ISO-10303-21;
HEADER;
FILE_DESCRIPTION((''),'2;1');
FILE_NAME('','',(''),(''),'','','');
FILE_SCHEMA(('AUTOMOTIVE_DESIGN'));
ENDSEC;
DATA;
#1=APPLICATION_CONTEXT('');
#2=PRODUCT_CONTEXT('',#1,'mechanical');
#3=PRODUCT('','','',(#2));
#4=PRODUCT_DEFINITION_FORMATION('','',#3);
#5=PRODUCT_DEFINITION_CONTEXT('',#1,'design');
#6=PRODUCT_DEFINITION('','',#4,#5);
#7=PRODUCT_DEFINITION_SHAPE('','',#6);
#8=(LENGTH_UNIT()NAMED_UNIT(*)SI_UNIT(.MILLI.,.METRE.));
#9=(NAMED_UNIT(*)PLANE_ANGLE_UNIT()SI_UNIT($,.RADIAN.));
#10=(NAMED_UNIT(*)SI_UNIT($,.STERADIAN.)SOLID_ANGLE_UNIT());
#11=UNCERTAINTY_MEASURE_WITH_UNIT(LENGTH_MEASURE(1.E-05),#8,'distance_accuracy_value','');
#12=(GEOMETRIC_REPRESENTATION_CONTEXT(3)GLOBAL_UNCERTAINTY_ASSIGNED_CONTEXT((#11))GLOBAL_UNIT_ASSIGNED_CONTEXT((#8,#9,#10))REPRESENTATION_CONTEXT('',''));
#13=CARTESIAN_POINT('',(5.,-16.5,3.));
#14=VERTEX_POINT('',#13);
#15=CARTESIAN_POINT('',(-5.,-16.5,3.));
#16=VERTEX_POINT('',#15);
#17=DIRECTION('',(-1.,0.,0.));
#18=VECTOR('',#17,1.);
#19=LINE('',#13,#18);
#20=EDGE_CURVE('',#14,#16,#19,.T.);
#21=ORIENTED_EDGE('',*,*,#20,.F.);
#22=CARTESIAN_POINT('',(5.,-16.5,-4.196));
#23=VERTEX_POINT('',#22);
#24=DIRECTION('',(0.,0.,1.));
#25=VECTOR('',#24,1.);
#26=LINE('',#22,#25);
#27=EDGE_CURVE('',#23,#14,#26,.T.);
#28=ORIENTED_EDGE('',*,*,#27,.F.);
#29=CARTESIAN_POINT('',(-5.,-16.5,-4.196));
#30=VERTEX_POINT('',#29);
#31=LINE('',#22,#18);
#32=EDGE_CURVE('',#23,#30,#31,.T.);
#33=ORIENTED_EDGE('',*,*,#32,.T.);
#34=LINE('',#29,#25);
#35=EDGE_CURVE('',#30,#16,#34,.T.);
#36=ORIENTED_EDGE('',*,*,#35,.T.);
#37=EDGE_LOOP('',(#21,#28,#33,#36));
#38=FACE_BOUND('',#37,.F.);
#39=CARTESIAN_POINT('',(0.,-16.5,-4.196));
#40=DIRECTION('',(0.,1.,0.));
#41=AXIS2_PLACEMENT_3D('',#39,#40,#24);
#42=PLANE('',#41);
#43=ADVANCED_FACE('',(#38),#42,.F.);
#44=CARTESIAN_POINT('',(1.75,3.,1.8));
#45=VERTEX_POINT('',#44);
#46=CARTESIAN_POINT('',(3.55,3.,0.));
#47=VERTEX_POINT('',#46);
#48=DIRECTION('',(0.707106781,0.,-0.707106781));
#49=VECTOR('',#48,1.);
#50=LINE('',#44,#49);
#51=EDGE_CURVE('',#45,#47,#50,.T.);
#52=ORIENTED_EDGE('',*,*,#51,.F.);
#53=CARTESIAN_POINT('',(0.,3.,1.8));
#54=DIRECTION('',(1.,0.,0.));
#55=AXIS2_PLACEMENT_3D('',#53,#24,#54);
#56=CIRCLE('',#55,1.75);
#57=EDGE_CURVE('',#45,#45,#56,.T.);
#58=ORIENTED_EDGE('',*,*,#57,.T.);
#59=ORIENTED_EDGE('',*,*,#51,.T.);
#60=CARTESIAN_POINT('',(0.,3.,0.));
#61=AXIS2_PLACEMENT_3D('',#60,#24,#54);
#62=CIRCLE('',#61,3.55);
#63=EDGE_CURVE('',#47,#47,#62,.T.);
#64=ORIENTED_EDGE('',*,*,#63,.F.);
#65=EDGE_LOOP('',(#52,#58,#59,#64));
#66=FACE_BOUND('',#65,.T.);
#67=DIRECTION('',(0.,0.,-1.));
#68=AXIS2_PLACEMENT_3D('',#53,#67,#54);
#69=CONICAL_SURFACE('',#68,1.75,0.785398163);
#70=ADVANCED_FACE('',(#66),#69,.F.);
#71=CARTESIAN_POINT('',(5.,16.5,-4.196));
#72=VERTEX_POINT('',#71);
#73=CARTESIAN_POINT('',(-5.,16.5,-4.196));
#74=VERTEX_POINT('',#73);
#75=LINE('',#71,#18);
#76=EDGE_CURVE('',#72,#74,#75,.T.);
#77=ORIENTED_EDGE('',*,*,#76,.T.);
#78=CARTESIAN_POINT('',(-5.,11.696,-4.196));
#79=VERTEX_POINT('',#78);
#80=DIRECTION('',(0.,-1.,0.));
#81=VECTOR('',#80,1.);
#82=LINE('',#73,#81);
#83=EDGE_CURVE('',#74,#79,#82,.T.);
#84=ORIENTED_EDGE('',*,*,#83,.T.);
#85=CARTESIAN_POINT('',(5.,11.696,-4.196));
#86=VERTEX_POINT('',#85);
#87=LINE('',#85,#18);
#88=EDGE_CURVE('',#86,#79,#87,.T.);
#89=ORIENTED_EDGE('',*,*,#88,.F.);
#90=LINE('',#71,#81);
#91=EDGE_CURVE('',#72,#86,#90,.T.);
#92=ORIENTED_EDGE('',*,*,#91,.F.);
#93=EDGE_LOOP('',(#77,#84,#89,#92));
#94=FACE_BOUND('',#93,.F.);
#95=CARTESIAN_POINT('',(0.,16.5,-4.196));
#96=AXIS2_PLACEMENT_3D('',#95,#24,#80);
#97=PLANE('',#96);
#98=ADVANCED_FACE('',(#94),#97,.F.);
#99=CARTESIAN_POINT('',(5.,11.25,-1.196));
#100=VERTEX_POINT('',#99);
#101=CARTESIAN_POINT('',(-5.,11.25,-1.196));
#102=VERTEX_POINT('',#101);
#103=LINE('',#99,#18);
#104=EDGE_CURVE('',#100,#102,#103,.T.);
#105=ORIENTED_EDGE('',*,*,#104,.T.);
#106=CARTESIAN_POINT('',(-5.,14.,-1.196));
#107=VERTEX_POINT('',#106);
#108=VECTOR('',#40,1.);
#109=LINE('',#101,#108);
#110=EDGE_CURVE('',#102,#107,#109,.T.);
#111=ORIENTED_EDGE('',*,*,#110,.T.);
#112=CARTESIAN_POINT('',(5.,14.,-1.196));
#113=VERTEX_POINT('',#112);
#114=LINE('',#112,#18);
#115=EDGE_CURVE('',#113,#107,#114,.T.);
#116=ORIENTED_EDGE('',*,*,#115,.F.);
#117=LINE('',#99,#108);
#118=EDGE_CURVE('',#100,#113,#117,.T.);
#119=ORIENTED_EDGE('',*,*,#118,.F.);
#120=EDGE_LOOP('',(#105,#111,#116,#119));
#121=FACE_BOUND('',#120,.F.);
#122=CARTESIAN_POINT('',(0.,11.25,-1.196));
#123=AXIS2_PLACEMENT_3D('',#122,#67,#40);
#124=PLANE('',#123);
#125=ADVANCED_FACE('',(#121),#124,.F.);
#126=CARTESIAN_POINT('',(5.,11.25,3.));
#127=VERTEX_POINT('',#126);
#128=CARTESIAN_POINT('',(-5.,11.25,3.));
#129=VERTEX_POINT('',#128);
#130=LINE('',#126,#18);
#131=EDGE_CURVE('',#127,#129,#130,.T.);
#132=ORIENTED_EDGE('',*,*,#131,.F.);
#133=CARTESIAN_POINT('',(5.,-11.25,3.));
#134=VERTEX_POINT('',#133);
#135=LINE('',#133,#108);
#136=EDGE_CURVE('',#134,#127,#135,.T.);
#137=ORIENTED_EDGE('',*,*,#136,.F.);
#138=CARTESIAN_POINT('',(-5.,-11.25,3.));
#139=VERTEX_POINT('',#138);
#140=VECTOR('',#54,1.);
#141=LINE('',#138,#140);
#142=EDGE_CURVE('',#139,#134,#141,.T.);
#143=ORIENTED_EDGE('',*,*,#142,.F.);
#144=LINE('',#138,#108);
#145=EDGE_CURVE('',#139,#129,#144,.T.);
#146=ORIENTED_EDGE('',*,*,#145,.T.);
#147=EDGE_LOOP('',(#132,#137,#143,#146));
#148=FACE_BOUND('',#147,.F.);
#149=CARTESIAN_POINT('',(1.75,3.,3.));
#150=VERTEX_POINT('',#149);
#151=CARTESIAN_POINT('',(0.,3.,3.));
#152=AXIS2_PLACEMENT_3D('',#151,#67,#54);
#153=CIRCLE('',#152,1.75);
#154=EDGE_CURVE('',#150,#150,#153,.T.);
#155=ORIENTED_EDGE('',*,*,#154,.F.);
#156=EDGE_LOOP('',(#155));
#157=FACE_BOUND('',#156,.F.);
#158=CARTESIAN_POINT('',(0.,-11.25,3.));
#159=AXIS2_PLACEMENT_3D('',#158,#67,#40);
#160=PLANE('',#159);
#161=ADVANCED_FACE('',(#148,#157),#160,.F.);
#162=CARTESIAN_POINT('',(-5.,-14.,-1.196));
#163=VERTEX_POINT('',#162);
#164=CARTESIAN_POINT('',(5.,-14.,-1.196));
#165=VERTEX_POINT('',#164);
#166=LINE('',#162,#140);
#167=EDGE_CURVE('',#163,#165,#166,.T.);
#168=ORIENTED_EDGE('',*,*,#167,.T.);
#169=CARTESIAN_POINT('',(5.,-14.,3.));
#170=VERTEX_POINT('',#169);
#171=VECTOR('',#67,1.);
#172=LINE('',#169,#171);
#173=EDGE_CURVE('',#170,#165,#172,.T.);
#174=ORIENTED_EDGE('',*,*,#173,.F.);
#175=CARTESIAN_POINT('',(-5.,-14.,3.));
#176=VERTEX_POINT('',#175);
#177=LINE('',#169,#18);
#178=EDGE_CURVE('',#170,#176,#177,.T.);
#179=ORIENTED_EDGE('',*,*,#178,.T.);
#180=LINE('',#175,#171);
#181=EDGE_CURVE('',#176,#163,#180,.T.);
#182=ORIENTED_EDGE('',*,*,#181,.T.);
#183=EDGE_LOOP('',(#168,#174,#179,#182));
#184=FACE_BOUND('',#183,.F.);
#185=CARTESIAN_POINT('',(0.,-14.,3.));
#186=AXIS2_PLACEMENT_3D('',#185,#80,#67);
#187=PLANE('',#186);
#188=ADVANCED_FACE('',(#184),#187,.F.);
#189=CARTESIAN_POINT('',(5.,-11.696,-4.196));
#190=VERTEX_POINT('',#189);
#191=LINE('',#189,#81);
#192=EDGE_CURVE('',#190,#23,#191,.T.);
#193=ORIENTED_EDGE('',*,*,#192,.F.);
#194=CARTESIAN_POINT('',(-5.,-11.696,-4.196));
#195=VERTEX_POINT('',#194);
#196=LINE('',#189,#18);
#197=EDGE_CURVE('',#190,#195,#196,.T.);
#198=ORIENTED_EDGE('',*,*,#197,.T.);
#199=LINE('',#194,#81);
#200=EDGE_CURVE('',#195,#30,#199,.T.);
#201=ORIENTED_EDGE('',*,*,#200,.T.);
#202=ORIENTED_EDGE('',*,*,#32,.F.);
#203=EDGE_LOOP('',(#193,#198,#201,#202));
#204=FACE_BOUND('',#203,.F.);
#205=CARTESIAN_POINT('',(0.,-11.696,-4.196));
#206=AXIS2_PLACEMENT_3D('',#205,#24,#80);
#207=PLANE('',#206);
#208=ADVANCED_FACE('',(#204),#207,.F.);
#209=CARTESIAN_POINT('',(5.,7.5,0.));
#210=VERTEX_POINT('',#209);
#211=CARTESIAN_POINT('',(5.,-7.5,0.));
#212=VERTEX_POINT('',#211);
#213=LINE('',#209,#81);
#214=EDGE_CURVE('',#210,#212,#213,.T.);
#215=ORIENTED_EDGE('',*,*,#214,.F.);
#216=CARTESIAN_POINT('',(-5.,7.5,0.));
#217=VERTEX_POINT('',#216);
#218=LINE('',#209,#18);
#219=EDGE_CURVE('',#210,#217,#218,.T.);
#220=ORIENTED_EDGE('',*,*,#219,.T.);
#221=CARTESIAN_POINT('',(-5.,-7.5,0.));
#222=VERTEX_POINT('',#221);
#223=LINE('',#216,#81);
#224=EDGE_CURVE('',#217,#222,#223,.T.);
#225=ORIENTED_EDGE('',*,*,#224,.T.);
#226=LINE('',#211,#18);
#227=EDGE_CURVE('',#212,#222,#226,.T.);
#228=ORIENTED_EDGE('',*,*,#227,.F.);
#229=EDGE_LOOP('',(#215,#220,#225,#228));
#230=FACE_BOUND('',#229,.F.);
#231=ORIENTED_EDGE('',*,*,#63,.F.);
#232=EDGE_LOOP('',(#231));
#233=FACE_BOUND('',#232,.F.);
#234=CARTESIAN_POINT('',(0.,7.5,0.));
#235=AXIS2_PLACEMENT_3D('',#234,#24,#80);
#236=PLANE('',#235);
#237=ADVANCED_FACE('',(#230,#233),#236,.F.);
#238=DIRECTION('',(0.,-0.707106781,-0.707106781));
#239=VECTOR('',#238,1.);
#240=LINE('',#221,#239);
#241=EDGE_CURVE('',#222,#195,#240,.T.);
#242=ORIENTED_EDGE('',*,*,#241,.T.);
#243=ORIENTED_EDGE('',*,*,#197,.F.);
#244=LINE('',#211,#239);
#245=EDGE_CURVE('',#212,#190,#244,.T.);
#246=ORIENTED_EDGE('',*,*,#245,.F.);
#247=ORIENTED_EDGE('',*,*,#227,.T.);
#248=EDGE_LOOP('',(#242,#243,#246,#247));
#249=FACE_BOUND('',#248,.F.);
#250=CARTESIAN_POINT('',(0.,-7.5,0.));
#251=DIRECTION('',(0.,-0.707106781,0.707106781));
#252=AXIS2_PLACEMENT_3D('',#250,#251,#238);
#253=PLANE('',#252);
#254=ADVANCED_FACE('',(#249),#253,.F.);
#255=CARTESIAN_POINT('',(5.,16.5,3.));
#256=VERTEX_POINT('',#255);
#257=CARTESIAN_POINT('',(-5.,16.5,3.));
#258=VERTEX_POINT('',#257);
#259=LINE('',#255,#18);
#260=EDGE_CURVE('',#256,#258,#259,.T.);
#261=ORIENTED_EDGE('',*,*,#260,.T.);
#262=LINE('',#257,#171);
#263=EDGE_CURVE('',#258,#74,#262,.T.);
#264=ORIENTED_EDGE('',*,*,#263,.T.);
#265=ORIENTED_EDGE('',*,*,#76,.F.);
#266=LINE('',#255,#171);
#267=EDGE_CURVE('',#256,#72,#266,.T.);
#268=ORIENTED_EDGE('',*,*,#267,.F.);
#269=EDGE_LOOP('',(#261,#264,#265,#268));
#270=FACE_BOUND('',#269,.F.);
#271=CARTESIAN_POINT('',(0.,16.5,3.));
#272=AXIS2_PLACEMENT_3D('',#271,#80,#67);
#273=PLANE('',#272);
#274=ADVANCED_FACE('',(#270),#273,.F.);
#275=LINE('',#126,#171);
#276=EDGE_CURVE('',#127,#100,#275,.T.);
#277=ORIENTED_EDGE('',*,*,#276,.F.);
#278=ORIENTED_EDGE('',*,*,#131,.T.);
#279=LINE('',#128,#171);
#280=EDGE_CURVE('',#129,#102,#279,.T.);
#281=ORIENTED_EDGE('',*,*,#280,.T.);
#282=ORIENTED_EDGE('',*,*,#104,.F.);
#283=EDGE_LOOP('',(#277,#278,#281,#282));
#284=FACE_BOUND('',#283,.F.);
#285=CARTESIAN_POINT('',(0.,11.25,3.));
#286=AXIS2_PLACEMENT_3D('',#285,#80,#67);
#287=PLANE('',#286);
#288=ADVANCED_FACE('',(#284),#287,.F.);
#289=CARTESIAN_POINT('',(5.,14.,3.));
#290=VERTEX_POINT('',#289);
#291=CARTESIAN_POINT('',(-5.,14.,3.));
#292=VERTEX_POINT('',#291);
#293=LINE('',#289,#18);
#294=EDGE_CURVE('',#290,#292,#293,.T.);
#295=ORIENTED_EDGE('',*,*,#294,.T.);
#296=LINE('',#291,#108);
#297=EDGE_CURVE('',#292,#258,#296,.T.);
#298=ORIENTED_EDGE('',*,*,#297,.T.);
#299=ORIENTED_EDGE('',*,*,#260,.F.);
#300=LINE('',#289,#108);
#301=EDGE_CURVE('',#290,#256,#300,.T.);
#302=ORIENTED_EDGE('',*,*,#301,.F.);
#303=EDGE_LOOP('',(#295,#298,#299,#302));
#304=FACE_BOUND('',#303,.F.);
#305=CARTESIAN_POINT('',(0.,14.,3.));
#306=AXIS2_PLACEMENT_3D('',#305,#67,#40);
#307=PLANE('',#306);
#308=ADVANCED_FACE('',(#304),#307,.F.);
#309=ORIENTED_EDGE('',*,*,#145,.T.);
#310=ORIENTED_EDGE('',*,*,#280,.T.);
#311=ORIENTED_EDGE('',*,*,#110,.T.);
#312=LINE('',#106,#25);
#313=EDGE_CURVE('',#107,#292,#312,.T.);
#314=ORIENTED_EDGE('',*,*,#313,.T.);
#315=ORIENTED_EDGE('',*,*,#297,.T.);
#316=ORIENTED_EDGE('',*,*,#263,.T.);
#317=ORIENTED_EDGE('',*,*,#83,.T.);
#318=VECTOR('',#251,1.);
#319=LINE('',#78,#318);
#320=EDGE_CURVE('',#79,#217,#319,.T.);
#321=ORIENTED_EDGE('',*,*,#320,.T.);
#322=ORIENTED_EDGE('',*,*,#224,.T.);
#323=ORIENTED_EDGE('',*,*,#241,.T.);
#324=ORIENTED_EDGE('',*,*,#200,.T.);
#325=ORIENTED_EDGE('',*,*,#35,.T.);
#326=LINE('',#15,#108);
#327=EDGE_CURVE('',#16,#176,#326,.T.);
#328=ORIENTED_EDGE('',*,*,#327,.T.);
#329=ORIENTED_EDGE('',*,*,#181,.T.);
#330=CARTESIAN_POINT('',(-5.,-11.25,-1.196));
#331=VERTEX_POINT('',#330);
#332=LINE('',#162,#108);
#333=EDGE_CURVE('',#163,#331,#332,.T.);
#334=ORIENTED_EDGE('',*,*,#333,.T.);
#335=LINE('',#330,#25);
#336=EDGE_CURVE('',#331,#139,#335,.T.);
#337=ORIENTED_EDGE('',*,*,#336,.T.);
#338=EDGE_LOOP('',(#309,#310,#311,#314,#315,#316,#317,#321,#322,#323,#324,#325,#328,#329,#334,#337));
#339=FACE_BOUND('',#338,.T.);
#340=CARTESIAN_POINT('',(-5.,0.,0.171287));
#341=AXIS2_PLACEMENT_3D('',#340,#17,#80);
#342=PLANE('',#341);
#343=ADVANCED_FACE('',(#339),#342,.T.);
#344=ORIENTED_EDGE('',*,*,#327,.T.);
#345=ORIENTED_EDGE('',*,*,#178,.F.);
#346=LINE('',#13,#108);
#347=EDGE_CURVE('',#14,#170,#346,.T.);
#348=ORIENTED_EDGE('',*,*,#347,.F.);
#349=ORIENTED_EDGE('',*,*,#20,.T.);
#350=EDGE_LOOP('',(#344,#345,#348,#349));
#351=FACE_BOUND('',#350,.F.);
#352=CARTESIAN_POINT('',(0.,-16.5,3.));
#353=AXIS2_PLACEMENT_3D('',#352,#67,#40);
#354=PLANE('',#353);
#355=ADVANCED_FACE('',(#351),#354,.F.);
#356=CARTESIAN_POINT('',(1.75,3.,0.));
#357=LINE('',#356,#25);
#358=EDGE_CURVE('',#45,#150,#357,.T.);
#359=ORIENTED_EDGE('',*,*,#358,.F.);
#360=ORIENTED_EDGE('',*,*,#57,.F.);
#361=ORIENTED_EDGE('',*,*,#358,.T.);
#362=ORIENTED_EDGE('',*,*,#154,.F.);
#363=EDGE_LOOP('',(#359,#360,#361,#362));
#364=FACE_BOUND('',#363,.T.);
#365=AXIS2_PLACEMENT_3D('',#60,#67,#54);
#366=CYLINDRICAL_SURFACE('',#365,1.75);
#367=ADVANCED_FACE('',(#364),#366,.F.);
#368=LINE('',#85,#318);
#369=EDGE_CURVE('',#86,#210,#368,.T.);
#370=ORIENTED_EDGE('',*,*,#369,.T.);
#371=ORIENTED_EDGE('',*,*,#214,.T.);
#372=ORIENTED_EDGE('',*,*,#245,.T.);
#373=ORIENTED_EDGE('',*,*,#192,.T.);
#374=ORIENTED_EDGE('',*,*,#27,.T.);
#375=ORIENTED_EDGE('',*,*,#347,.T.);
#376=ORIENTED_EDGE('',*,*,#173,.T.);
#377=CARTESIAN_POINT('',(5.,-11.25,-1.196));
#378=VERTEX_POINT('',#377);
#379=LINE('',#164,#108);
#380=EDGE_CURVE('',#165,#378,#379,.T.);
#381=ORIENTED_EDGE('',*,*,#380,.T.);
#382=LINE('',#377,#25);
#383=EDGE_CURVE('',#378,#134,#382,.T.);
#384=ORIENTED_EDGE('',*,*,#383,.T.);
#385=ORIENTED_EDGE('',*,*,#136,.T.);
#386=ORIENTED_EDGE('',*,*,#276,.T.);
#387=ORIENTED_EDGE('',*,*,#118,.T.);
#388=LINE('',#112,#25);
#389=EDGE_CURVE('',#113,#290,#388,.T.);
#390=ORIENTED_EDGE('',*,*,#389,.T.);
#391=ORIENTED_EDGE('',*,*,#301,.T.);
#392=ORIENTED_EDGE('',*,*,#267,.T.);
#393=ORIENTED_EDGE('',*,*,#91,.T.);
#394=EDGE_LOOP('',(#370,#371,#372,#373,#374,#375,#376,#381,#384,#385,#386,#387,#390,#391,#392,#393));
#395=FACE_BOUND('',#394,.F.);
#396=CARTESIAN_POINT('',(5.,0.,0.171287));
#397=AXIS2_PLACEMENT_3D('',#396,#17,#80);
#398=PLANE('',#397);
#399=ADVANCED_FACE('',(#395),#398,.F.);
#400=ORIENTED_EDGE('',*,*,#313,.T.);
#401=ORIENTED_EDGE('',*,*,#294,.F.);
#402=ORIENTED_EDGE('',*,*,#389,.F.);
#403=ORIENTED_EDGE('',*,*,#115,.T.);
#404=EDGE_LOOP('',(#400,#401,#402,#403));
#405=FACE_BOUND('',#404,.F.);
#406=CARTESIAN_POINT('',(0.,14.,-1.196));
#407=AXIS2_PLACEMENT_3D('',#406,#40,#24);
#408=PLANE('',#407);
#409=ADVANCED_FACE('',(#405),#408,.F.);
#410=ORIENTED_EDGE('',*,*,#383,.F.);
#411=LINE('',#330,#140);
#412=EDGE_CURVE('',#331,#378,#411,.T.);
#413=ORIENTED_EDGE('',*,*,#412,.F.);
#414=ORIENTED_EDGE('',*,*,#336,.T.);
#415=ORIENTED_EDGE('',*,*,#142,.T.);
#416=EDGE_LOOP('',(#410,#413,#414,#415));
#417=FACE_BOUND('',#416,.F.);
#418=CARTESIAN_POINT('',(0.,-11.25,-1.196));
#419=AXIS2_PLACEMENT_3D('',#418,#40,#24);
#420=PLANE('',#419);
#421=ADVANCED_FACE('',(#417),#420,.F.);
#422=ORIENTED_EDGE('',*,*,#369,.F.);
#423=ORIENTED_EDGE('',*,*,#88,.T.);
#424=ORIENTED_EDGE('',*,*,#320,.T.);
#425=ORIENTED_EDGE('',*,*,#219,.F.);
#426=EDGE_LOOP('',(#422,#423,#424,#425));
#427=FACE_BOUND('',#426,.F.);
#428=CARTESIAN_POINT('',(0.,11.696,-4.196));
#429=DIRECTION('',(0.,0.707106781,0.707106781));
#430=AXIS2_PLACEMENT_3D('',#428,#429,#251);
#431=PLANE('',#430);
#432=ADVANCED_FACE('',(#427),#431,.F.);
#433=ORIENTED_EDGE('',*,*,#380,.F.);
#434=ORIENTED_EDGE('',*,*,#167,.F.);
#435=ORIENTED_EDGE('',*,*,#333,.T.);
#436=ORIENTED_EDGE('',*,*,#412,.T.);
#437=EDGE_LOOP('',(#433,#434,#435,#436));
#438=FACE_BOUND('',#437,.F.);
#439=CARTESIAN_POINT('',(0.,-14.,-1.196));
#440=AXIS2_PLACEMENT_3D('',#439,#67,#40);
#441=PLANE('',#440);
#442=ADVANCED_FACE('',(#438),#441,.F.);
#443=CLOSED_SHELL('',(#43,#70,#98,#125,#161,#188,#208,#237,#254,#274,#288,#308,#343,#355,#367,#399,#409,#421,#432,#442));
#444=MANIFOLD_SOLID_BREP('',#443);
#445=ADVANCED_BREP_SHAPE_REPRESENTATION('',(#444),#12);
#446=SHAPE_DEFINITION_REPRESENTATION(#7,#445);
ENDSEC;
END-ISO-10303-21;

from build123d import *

# Parameters (mm, degrees)
PAD_DEPTH    = 5
SKETCH001_R  = 1.75
POCKET_DEPTH = 3.001
CHAMFER_SIZE = 1.8


with BuildPart() as part:
    # Sketch → Pad (new body, symmetric)
    with BuildSketch(Plane.YZ):
        Polygon((-11.25, 3), (11.25, 3), (11.25, -1.196), (14, -1.196), (14, 3), (16.5, 3), (16.5, -4.196), (11.696, -4.196), (7.5, 0), (-7.5, 0), (-11.696, -4.196), (-16.5, -4.196), (-16.5, 3), (-14, 3), (-14, -1.196), (-11.25, -1.196), align=None)
    extrude(amount=PAD_DEPTH, both=True)

    # Sketch001 → Pocket (cut, through all)
    with BuildSketch(Plane.XY):
        with Locations((0, 3)):
            Circle(SKETCH001_R)
    extrude(amount=POCKET_DEPTH, mode=Mode.SUBTRACT)

    # Chamfer
    chamfer_edges = [part.edges().sort_by_distance(p)[0] for p in [
        (-1.75, 3, 0),
    ]]
    chamfer(chamfer_edges, length=CHAMFER_SIZE)


solid = part.part
